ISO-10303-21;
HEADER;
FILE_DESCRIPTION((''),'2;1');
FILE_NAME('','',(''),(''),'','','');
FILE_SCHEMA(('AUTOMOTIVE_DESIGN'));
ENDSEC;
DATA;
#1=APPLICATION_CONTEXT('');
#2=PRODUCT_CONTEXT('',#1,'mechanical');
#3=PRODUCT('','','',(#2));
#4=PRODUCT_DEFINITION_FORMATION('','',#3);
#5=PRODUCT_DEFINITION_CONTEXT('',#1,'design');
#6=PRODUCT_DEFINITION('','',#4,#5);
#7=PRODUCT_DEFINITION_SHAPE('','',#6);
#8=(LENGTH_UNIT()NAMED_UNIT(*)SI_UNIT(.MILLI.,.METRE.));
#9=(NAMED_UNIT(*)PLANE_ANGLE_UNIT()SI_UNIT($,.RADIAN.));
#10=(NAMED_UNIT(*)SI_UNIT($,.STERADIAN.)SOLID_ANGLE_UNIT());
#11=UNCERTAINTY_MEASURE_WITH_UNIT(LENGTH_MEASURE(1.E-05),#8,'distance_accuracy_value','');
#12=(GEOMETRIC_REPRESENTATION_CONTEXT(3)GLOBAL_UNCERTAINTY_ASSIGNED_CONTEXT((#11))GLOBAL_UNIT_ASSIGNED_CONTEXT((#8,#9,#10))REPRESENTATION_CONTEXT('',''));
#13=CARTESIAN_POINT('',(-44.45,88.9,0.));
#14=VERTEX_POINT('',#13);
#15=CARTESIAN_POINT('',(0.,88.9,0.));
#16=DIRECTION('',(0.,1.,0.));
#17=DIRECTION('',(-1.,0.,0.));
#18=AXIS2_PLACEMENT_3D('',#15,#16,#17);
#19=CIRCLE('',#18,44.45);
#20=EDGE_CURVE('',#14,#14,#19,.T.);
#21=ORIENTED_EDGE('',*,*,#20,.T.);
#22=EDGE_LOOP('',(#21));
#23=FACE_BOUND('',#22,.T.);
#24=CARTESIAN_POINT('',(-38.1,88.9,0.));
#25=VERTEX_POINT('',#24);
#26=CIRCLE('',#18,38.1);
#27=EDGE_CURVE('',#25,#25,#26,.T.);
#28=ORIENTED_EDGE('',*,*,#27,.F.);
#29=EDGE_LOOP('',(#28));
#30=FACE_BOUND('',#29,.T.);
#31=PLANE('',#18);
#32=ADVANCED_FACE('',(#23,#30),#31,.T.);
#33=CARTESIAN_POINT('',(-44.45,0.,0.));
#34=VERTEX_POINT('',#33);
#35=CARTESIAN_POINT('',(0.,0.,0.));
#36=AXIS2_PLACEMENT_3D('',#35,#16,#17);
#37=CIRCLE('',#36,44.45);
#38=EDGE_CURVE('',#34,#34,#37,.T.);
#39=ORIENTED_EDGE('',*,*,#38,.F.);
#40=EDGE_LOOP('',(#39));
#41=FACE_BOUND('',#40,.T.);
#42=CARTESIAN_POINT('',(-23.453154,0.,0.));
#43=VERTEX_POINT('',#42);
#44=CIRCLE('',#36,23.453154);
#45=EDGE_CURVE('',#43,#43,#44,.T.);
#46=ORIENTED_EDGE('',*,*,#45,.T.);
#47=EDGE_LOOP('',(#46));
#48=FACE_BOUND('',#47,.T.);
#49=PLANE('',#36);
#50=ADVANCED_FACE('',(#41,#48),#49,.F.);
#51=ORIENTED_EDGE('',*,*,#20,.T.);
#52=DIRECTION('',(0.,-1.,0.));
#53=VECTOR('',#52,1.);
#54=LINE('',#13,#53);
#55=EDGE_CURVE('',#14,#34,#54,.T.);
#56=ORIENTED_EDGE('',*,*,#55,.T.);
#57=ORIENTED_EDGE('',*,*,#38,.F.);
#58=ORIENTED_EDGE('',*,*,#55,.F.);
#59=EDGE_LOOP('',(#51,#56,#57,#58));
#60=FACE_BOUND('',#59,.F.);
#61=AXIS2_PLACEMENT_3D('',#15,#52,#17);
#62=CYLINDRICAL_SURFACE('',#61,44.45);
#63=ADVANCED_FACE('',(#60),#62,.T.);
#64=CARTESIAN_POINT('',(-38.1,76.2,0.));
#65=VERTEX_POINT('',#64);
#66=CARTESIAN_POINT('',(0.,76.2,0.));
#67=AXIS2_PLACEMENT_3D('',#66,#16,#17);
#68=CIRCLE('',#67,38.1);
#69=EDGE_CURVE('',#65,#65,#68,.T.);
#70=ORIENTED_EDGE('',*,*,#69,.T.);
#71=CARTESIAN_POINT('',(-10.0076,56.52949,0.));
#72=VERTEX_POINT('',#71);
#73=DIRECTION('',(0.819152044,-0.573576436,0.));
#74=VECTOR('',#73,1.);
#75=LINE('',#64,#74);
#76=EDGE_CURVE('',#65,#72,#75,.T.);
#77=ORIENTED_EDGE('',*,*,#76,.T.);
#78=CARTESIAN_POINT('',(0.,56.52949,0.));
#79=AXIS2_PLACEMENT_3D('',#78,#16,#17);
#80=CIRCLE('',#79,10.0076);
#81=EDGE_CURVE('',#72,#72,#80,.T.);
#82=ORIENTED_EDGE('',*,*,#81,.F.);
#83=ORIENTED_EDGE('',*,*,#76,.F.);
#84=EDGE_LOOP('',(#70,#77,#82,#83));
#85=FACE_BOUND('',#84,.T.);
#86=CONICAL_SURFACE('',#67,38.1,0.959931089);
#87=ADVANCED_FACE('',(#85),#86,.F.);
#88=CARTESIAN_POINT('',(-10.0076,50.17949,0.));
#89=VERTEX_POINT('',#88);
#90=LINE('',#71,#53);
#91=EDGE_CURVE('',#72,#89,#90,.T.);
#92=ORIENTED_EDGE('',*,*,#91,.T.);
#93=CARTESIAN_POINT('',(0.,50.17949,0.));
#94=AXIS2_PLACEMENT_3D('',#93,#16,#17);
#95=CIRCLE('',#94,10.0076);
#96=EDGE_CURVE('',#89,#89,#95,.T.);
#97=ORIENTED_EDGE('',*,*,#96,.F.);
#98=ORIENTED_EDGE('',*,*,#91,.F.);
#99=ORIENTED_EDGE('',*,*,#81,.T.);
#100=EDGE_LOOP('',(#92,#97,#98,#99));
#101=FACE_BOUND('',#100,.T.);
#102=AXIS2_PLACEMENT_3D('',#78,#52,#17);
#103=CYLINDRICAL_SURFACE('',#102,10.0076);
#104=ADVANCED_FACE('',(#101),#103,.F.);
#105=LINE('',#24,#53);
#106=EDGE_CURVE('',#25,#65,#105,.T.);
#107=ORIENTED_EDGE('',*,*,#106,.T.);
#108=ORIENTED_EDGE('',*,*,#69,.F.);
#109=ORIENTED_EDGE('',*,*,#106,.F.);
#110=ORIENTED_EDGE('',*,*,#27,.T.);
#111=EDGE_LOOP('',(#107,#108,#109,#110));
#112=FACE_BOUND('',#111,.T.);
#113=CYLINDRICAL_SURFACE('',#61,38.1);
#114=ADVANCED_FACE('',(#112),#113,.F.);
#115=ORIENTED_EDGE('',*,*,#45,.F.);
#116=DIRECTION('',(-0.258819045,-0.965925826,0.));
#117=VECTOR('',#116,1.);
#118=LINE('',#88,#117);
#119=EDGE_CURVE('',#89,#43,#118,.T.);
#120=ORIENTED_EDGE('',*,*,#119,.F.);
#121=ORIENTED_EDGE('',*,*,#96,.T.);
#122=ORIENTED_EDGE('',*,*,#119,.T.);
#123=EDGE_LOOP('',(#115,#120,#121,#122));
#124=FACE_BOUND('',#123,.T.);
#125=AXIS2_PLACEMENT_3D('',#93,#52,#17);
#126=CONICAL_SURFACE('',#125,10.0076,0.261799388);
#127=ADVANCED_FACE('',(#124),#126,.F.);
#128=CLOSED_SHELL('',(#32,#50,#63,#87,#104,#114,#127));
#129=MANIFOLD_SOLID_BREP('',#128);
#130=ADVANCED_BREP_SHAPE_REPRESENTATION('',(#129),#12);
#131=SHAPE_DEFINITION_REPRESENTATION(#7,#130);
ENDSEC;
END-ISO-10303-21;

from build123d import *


with BuildPart() as part:
    # Sketch1 → Revolve1 (revolve)
    with BuildSketch(Plane.XY):
        Polygon((-44.45, 0), (-44.45, 76.2), (-44.45, 88.9), (-38.1, 88.9), (-38.1, 76.2), (-10.0076, 56.529489754), (-10.0076, 50.179489754), (-23.453153756, 0), align=None)
    revolve(axis=Axis((0, 0, 0), (0, 1, 0)))


solid = part.part
